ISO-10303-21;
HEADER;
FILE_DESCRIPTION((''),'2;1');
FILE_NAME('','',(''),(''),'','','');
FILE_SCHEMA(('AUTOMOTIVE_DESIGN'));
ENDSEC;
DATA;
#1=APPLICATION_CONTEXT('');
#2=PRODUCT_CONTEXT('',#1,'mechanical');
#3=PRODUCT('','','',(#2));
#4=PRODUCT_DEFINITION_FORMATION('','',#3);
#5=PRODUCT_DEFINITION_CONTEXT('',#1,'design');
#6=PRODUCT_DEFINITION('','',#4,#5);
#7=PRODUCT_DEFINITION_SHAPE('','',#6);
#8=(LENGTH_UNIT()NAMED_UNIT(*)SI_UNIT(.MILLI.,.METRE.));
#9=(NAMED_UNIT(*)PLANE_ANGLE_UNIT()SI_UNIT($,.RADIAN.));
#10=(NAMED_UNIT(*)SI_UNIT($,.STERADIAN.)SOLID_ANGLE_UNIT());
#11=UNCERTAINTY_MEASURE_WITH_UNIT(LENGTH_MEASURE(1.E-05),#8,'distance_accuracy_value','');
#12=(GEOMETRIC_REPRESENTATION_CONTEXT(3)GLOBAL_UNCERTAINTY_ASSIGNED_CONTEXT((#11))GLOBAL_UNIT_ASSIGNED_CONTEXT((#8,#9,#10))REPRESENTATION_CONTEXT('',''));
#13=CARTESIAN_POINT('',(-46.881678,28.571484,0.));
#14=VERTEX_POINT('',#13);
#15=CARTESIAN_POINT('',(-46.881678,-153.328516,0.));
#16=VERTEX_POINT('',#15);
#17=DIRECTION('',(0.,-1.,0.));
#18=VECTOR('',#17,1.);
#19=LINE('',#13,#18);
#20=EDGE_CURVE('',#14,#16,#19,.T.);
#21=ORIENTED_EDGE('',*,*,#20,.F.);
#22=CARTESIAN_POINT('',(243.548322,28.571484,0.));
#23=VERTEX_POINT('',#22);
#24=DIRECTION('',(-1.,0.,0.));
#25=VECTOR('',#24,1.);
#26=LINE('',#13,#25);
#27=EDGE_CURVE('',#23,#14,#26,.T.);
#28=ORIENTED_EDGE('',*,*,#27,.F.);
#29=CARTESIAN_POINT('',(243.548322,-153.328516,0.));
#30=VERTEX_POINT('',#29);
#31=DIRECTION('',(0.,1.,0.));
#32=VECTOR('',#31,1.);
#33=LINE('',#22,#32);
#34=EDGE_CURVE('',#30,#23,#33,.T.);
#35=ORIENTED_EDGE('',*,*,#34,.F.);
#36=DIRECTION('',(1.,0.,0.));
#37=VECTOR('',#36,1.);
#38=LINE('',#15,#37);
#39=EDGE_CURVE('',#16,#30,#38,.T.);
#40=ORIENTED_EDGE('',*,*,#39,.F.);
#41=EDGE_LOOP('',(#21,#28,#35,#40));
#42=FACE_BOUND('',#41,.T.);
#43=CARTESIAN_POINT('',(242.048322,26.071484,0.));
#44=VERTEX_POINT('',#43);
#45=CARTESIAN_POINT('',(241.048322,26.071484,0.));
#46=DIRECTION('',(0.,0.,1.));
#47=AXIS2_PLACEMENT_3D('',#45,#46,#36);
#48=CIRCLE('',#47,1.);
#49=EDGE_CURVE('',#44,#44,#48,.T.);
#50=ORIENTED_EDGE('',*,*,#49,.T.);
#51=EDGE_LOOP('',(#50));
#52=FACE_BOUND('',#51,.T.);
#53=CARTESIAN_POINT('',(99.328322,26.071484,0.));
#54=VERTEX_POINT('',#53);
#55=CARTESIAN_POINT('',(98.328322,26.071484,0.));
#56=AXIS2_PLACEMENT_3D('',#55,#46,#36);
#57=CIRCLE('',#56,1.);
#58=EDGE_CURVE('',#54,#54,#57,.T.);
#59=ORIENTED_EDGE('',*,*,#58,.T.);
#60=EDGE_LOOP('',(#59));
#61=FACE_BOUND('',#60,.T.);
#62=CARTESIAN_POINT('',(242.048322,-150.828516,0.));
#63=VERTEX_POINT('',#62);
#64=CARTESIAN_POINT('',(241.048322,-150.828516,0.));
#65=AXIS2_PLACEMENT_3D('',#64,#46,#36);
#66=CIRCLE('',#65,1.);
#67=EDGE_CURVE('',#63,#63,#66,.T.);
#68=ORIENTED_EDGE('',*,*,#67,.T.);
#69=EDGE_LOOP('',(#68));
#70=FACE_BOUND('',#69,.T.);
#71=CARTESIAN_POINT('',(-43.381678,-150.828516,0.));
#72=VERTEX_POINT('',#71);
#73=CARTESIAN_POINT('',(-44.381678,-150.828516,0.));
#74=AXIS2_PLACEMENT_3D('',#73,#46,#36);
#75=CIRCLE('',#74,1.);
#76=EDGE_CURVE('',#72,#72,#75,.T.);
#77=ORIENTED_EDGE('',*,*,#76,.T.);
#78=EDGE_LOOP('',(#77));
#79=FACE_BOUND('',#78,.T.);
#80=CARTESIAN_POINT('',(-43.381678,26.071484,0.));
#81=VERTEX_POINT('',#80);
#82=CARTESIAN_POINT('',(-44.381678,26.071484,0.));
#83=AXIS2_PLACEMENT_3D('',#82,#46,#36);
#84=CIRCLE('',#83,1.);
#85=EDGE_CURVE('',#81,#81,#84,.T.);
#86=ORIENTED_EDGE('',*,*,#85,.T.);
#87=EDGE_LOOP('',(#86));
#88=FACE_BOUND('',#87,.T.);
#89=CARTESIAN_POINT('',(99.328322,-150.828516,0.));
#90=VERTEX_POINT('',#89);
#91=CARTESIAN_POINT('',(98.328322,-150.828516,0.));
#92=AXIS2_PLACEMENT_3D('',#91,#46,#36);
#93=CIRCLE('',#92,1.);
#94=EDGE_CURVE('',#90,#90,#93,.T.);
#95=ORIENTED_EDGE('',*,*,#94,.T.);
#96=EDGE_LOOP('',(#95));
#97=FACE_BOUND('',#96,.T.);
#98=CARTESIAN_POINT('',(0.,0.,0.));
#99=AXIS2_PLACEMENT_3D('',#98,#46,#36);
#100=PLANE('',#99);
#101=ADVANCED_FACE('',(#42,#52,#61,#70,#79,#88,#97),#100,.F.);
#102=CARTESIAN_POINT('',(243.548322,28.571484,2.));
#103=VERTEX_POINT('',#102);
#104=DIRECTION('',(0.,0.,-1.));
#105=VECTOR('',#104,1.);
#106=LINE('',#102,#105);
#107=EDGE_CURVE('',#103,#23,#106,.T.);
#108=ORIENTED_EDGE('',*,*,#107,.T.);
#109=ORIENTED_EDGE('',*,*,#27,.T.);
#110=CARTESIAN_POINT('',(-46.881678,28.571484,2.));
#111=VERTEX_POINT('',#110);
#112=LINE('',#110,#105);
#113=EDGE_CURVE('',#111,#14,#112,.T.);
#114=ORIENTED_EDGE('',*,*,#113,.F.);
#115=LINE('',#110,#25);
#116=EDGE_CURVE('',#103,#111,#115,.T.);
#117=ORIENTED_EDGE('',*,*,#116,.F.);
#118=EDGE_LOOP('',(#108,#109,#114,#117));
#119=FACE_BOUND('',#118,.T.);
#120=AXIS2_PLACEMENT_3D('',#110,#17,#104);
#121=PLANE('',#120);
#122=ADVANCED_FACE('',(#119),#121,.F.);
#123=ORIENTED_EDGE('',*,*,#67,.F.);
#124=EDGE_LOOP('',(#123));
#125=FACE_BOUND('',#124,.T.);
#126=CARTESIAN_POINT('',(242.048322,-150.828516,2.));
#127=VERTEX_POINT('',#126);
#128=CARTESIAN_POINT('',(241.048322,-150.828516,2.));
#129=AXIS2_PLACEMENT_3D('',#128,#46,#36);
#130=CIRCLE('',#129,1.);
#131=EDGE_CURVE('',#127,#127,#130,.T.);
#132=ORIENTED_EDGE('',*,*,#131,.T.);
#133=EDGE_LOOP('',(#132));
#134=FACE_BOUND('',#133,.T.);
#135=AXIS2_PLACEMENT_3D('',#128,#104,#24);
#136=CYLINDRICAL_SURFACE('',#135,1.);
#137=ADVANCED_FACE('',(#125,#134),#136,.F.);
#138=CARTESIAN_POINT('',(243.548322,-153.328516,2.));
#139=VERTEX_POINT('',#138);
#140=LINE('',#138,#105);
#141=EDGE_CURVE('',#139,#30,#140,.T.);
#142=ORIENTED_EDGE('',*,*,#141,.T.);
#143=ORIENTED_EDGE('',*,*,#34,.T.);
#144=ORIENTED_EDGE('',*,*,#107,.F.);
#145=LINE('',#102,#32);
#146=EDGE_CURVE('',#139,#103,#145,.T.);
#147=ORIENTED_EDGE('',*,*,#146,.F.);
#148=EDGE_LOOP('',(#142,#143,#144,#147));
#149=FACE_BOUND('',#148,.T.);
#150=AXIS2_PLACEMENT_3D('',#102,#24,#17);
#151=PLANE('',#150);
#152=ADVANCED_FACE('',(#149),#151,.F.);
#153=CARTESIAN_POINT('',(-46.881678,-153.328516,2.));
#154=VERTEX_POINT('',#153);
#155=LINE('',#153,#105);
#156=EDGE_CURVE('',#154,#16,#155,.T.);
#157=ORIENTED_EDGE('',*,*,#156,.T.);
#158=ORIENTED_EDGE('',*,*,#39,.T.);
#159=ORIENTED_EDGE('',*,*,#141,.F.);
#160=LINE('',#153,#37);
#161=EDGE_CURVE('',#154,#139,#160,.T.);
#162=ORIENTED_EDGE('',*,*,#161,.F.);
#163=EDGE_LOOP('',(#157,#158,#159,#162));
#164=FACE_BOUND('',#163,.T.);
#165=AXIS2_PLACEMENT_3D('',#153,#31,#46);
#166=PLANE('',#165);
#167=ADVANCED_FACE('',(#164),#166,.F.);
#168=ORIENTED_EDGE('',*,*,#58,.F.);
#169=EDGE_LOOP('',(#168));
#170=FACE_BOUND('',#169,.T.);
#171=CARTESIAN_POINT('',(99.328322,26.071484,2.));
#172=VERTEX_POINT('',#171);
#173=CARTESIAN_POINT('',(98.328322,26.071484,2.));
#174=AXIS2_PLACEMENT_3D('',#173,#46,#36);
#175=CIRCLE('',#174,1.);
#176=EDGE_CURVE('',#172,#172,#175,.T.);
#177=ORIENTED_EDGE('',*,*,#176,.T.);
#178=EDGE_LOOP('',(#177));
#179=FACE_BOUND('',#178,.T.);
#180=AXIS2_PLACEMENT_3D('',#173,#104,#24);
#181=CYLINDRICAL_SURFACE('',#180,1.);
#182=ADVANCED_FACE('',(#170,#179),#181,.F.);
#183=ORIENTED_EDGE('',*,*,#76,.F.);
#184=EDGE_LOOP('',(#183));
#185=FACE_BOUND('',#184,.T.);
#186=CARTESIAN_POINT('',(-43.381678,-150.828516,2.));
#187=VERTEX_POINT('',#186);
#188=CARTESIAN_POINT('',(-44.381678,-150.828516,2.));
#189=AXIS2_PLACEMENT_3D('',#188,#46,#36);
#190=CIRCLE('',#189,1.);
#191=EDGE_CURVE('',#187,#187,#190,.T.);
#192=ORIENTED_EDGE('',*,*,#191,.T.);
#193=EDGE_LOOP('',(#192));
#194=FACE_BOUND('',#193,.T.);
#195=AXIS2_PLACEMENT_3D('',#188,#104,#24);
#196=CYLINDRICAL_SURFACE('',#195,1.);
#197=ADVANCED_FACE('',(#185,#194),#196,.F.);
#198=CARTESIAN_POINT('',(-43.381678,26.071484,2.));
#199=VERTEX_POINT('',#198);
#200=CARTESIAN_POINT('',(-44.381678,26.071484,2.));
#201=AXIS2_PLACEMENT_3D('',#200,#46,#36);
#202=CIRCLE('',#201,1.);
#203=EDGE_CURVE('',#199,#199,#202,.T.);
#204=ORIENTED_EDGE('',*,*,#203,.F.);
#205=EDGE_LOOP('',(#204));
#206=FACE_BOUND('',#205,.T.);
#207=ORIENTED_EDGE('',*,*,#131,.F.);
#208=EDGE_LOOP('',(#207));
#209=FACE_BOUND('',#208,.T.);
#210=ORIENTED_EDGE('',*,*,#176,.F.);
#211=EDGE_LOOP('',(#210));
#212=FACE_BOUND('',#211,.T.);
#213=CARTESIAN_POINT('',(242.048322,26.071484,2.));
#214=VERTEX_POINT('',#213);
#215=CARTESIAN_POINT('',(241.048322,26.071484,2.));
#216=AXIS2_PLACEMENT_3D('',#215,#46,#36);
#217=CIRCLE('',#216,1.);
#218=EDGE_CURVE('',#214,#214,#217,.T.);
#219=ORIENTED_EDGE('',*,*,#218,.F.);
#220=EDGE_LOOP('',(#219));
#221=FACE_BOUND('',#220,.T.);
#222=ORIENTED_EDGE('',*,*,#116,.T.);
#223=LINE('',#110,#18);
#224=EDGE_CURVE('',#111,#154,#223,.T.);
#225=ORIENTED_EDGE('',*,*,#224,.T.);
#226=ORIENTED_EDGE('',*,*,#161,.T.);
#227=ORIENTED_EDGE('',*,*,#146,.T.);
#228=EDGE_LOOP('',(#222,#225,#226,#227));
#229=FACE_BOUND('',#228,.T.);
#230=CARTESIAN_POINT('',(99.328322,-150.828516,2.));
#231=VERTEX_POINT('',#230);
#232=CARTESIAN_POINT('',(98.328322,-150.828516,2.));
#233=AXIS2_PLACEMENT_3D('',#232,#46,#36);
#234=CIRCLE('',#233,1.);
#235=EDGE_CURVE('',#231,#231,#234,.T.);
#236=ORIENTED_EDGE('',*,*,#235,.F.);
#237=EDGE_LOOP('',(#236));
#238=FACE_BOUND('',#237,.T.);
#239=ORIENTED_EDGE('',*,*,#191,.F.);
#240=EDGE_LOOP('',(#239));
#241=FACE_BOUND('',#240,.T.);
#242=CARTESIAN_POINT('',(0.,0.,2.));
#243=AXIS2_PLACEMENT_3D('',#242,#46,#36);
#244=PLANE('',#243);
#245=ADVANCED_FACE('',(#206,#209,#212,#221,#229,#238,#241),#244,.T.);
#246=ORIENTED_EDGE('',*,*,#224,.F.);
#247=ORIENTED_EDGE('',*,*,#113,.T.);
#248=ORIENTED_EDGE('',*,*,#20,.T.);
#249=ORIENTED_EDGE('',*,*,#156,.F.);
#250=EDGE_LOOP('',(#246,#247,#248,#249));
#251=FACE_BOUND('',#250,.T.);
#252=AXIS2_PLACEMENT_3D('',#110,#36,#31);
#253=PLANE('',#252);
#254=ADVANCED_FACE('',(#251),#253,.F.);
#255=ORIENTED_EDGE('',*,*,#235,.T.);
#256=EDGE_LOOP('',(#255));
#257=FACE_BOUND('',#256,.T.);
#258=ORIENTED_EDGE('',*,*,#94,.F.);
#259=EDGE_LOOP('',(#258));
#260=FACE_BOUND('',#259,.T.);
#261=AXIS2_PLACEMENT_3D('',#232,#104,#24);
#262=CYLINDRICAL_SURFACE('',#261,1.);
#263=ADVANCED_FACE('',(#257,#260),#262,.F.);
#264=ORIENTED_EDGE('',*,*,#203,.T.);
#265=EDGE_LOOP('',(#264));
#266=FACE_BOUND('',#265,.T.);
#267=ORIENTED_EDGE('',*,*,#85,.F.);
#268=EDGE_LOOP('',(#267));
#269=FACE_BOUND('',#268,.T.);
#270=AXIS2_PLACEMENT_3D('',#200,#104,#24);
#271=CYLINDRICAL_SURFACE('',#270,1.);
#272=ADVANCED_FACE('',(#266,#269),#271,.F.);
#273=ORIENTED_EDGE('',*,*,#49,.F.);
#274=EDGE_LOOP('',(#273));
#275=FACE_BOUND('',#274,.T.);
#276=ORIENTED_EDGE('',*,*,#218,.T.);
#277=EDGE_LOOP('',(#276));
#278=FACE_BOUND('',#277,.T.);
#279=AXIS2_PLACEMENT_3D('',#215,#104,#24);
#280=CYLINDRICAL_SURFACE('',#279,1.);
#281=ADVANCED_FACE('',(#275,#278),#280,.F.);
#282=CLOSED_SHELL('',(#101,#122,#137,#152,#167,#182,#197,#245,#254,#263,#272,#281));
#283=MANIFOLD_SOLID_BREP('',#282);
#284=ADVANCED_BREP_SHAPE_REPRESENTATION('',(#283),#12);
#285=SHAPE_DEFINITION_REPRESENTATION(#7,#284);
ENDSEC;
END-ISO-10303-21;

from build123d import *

# Parameters (mm, degrees)
ESQUISSE1_W        = 290.43
ESQUISSE1_H        = 181.9
ESQUISSE1_R        = 1
BOSS_EXTRU_1_DEPTH = 2


with BuildPart() as part:
    # Esquisse1 → Boss.-Extru.1 (new body)
    with BuildSketch(Plane.XY):
        with Locations((98.333322332, -62.378516058)):
            Rectangle(ESQUISSE1_W, ESQUISSE1_H)
        with Locations((-44.381677668, 26.071483942)):
            Circle(ESQUISSE1_R, mode=Mode.SUBTRACT)
        with Locations((98.328322332, 26.071483942)):
            Circle(ESQUISSE1_R, mode=Mode.SUBTRACT)
        with Locations((241.048322332, 26.071483942)):
            Circle(ESQUISSE1_R, mode=Mode.SUBTRACT)
        with Locations((241.048322332, -150.828516058)):
            Circle(ESQUISSE1_R, mode=Mode.SUBTRACT)
        with Locations((98.328322332, -150.828516058)):
            Circle(ESQUISSE1_R, mode=Mode.SUBTRACT)
        with Locations((-44.381677668, -150.828516058)):
            Circle(ESQUISSE1_R, mode=Mode.SUBTRACT)
    extrude(amount=BOSS_EXTRU_1_DEPTH)


solid = part.part
